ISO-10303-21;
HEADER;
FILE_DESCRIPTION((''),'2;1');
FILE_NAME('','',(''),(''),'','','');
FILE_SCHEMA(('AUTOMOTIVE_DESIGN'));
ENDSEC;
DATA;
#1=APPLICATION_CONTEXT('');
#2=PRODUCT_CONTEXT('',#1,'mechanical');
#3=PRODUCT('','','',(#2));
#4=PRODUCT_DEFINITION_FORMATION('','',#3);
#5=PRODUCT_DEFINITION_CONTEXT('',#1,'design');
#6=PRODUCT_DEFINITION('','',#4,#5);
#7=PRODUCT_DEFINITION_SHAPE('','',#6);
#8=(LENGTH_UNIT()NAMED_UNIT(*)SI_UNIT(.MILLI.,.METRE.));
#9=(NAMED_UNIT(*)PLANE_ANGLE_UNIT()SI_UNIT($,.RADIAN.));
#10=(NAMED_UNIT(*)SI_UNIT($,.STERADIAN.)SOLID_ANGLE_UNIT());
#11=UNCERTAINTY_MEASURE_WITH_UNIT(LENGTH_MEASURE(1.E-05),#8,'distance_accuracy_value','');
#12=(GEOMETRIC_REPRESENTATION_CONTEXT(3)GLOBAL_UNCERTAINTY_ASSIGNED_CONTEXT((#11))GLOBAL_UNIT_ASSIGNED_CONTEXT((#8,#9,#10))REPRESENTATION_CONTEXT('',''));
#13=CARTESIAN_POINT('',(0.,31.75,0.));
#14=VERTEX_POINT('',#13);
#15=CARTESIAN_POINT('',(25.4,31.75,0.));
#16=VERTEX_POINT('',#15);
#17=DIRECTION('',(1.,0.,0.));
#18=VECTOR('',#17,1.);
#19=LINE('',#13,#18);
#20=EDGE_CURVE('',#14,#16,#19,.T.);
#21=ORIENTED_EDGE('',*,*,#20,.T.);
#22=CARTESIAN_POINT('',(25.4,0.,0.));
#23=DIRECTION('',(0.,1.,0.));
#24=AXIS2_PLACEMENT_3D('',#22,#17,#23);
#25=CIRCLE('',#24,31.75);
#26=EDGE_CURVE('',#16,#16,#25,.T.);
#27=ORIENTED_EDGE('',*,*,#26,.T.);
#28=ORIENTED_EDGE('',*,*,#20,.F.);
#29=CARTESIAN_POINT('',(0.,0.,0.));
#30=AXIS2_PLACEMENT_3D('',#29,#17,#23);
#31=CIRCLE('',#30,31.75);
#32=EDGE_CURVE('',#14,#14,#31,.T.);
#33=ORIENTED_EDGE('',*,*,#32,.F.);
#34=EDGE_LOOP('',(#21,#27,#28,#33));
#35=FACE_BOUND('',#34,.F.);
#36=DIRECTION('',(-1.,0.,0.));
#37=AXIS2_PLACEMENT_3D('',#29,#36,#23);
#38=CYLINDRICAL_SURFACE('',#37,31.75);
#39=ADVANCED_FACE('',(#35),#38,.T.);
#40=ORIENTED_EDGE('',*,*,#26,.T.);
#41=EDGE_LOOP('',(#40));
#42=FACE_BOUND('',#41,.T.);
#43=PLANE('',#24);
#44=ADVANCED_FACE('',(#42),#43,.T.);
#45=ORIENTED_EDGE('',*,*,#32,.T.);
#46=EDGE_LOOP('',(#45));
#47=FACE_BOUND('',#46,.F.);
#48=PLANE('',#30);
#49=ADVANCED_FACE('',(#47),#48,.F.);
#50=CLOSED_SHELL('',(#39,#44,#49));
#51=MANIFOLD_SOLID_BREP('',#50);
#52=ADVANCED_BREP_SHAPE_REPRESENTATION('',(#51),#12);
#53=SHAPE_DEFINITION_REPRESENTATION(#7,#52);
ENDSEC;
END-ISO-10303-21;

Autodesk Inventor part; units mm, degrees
ref_plane "YZ Plane" through (0, 0, 0) normal (1, 0, 0) x (0, 1, 0)
ref_plane "XZ Plane" through (0, 0, 0) normal (0, 1, 0) x (-1, 0, 0)
ref_plane "XY Plane" through (0, 0, 0) normal (0, 0, 1) x (1, 0, 0)
sketch "Sketch1" plane through (0, 0, 0) normal (1, 0, 0) x (0, 1, 0)
  circle A0 centre (0, 0) radius 31.75
  dimension "d0" = 63.5
extrude "Extrusion1" add sketch "Sketch1" along normal blind 25.4
properties part number "wheel"
